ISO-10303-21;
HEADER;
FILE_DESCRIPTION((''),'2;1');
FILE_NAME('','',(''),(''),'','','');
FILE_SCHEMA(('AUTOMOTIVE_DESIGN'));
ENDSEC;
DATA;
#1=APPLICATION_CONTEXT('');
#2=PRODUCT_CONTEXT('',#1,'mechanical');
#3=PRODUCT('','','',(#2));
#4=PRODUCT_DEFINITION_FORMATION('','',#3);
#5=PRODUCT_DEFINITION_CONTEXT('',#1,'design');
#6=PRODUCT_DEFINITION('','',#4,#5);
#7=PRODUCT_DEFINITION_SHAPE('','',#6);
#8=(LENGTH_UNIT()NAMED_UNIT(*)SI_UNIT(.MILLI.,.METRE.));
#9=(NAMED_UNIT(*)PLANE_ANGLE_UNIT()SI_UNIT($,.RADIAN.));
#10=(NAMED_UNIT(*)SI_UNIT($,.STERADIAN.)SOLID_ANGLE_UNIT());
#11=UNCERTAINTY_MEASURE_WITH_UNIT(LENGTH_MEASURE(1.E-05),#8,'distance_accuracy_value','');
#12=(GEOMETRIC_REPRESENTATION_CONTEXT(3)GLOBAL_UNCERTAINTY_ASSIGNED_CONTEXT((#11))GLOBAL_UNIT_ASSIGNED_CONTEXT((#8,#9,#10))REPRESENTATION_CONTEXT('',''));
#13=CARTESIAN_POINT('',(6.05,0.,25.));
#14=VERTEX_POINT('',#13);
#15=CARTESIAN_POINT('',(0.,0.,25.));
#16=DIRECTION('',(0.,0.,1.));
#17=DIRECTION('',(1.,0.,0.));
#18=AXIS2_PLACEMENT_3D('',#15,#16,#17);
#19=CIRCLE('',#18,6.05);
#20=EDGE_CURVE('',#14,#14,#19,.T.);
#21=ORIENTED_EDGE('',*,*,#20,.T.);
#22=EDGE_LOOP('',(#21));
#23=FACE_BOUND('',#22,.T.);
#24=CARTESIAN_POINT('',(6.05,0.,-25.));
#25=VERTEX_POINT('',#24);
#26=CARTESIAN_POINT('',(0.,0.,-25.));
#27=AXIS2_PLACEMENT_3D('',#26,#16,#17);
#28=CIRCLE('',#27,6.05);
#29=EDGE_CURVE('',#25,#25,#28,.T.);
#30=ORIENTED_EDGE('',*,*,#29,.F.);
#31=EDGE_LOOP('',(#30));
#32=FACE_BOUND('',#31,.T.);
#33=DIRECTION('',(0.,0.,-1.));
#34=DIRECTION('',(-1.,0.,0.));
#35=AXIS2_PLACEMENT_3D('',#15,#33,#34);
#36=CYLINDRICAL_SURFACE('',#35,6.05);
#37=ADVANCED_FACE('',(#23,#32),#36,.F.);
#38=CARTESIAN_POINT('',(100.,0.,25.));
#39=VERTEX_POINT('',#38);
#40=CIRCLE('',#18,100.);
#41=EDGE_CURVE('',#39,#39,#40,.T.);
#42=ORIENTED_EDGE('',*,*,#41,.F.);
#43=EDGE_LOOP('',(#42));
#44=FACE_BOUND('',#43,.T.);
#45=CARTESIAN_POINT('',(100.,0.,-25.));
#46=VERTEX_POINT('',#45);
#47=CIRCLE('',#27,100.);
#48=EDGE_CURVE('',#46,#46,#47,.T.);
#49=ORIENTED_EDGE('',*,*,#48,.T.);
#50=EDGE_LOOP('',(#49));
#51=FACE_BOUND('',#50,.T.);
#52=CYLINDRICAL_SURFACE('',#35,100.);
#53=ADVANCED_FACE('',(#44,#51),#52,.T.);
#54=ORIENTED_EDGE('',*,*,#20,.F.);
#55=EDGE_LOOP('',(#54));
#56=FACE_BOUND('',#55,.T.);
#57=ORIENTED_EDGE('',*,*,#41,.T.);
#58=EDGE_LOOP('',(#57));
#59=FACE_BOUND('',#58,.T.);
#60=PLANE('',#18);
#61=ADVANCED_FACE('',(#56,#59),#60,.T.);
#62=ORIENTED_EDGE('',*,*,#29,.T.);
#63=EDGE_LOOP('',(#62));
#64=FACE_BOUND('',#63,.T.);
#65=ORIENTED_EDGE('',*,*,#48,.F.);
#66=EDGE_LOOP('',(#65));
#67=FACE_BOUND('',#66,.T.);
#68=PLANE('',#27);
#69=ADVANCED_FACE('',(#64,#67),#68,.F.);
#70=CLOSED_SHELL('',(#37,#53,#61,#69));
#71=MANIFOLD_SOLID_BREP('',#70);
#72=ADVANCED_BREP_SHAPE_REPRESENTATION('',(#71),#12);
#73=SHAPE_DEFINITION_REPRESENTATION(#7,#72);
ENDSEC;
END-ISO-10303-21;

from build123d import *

# Parameters (mm, degrees)
SCHIZZO1_R                   = 100
SCHIZZO1_R_2                 = 6.05
ESTRUSIONE_ESTRUSIONE1_DEPTH = 25


with BuildPart() as part:
    # Schizzo1 → Estrusione-Estrusione1 (new, symmetric)
    with BuildSketch(Plane.XY):
        Circle(SCHIZZO1_R)
        Circle(SCHIZZO1_R_2, mode=Mode.SUBTRACT)
    extrude(amount=ESTRUSIONE_ESTRUSIONE1_DEPTH, both=True)


solid = part.part
